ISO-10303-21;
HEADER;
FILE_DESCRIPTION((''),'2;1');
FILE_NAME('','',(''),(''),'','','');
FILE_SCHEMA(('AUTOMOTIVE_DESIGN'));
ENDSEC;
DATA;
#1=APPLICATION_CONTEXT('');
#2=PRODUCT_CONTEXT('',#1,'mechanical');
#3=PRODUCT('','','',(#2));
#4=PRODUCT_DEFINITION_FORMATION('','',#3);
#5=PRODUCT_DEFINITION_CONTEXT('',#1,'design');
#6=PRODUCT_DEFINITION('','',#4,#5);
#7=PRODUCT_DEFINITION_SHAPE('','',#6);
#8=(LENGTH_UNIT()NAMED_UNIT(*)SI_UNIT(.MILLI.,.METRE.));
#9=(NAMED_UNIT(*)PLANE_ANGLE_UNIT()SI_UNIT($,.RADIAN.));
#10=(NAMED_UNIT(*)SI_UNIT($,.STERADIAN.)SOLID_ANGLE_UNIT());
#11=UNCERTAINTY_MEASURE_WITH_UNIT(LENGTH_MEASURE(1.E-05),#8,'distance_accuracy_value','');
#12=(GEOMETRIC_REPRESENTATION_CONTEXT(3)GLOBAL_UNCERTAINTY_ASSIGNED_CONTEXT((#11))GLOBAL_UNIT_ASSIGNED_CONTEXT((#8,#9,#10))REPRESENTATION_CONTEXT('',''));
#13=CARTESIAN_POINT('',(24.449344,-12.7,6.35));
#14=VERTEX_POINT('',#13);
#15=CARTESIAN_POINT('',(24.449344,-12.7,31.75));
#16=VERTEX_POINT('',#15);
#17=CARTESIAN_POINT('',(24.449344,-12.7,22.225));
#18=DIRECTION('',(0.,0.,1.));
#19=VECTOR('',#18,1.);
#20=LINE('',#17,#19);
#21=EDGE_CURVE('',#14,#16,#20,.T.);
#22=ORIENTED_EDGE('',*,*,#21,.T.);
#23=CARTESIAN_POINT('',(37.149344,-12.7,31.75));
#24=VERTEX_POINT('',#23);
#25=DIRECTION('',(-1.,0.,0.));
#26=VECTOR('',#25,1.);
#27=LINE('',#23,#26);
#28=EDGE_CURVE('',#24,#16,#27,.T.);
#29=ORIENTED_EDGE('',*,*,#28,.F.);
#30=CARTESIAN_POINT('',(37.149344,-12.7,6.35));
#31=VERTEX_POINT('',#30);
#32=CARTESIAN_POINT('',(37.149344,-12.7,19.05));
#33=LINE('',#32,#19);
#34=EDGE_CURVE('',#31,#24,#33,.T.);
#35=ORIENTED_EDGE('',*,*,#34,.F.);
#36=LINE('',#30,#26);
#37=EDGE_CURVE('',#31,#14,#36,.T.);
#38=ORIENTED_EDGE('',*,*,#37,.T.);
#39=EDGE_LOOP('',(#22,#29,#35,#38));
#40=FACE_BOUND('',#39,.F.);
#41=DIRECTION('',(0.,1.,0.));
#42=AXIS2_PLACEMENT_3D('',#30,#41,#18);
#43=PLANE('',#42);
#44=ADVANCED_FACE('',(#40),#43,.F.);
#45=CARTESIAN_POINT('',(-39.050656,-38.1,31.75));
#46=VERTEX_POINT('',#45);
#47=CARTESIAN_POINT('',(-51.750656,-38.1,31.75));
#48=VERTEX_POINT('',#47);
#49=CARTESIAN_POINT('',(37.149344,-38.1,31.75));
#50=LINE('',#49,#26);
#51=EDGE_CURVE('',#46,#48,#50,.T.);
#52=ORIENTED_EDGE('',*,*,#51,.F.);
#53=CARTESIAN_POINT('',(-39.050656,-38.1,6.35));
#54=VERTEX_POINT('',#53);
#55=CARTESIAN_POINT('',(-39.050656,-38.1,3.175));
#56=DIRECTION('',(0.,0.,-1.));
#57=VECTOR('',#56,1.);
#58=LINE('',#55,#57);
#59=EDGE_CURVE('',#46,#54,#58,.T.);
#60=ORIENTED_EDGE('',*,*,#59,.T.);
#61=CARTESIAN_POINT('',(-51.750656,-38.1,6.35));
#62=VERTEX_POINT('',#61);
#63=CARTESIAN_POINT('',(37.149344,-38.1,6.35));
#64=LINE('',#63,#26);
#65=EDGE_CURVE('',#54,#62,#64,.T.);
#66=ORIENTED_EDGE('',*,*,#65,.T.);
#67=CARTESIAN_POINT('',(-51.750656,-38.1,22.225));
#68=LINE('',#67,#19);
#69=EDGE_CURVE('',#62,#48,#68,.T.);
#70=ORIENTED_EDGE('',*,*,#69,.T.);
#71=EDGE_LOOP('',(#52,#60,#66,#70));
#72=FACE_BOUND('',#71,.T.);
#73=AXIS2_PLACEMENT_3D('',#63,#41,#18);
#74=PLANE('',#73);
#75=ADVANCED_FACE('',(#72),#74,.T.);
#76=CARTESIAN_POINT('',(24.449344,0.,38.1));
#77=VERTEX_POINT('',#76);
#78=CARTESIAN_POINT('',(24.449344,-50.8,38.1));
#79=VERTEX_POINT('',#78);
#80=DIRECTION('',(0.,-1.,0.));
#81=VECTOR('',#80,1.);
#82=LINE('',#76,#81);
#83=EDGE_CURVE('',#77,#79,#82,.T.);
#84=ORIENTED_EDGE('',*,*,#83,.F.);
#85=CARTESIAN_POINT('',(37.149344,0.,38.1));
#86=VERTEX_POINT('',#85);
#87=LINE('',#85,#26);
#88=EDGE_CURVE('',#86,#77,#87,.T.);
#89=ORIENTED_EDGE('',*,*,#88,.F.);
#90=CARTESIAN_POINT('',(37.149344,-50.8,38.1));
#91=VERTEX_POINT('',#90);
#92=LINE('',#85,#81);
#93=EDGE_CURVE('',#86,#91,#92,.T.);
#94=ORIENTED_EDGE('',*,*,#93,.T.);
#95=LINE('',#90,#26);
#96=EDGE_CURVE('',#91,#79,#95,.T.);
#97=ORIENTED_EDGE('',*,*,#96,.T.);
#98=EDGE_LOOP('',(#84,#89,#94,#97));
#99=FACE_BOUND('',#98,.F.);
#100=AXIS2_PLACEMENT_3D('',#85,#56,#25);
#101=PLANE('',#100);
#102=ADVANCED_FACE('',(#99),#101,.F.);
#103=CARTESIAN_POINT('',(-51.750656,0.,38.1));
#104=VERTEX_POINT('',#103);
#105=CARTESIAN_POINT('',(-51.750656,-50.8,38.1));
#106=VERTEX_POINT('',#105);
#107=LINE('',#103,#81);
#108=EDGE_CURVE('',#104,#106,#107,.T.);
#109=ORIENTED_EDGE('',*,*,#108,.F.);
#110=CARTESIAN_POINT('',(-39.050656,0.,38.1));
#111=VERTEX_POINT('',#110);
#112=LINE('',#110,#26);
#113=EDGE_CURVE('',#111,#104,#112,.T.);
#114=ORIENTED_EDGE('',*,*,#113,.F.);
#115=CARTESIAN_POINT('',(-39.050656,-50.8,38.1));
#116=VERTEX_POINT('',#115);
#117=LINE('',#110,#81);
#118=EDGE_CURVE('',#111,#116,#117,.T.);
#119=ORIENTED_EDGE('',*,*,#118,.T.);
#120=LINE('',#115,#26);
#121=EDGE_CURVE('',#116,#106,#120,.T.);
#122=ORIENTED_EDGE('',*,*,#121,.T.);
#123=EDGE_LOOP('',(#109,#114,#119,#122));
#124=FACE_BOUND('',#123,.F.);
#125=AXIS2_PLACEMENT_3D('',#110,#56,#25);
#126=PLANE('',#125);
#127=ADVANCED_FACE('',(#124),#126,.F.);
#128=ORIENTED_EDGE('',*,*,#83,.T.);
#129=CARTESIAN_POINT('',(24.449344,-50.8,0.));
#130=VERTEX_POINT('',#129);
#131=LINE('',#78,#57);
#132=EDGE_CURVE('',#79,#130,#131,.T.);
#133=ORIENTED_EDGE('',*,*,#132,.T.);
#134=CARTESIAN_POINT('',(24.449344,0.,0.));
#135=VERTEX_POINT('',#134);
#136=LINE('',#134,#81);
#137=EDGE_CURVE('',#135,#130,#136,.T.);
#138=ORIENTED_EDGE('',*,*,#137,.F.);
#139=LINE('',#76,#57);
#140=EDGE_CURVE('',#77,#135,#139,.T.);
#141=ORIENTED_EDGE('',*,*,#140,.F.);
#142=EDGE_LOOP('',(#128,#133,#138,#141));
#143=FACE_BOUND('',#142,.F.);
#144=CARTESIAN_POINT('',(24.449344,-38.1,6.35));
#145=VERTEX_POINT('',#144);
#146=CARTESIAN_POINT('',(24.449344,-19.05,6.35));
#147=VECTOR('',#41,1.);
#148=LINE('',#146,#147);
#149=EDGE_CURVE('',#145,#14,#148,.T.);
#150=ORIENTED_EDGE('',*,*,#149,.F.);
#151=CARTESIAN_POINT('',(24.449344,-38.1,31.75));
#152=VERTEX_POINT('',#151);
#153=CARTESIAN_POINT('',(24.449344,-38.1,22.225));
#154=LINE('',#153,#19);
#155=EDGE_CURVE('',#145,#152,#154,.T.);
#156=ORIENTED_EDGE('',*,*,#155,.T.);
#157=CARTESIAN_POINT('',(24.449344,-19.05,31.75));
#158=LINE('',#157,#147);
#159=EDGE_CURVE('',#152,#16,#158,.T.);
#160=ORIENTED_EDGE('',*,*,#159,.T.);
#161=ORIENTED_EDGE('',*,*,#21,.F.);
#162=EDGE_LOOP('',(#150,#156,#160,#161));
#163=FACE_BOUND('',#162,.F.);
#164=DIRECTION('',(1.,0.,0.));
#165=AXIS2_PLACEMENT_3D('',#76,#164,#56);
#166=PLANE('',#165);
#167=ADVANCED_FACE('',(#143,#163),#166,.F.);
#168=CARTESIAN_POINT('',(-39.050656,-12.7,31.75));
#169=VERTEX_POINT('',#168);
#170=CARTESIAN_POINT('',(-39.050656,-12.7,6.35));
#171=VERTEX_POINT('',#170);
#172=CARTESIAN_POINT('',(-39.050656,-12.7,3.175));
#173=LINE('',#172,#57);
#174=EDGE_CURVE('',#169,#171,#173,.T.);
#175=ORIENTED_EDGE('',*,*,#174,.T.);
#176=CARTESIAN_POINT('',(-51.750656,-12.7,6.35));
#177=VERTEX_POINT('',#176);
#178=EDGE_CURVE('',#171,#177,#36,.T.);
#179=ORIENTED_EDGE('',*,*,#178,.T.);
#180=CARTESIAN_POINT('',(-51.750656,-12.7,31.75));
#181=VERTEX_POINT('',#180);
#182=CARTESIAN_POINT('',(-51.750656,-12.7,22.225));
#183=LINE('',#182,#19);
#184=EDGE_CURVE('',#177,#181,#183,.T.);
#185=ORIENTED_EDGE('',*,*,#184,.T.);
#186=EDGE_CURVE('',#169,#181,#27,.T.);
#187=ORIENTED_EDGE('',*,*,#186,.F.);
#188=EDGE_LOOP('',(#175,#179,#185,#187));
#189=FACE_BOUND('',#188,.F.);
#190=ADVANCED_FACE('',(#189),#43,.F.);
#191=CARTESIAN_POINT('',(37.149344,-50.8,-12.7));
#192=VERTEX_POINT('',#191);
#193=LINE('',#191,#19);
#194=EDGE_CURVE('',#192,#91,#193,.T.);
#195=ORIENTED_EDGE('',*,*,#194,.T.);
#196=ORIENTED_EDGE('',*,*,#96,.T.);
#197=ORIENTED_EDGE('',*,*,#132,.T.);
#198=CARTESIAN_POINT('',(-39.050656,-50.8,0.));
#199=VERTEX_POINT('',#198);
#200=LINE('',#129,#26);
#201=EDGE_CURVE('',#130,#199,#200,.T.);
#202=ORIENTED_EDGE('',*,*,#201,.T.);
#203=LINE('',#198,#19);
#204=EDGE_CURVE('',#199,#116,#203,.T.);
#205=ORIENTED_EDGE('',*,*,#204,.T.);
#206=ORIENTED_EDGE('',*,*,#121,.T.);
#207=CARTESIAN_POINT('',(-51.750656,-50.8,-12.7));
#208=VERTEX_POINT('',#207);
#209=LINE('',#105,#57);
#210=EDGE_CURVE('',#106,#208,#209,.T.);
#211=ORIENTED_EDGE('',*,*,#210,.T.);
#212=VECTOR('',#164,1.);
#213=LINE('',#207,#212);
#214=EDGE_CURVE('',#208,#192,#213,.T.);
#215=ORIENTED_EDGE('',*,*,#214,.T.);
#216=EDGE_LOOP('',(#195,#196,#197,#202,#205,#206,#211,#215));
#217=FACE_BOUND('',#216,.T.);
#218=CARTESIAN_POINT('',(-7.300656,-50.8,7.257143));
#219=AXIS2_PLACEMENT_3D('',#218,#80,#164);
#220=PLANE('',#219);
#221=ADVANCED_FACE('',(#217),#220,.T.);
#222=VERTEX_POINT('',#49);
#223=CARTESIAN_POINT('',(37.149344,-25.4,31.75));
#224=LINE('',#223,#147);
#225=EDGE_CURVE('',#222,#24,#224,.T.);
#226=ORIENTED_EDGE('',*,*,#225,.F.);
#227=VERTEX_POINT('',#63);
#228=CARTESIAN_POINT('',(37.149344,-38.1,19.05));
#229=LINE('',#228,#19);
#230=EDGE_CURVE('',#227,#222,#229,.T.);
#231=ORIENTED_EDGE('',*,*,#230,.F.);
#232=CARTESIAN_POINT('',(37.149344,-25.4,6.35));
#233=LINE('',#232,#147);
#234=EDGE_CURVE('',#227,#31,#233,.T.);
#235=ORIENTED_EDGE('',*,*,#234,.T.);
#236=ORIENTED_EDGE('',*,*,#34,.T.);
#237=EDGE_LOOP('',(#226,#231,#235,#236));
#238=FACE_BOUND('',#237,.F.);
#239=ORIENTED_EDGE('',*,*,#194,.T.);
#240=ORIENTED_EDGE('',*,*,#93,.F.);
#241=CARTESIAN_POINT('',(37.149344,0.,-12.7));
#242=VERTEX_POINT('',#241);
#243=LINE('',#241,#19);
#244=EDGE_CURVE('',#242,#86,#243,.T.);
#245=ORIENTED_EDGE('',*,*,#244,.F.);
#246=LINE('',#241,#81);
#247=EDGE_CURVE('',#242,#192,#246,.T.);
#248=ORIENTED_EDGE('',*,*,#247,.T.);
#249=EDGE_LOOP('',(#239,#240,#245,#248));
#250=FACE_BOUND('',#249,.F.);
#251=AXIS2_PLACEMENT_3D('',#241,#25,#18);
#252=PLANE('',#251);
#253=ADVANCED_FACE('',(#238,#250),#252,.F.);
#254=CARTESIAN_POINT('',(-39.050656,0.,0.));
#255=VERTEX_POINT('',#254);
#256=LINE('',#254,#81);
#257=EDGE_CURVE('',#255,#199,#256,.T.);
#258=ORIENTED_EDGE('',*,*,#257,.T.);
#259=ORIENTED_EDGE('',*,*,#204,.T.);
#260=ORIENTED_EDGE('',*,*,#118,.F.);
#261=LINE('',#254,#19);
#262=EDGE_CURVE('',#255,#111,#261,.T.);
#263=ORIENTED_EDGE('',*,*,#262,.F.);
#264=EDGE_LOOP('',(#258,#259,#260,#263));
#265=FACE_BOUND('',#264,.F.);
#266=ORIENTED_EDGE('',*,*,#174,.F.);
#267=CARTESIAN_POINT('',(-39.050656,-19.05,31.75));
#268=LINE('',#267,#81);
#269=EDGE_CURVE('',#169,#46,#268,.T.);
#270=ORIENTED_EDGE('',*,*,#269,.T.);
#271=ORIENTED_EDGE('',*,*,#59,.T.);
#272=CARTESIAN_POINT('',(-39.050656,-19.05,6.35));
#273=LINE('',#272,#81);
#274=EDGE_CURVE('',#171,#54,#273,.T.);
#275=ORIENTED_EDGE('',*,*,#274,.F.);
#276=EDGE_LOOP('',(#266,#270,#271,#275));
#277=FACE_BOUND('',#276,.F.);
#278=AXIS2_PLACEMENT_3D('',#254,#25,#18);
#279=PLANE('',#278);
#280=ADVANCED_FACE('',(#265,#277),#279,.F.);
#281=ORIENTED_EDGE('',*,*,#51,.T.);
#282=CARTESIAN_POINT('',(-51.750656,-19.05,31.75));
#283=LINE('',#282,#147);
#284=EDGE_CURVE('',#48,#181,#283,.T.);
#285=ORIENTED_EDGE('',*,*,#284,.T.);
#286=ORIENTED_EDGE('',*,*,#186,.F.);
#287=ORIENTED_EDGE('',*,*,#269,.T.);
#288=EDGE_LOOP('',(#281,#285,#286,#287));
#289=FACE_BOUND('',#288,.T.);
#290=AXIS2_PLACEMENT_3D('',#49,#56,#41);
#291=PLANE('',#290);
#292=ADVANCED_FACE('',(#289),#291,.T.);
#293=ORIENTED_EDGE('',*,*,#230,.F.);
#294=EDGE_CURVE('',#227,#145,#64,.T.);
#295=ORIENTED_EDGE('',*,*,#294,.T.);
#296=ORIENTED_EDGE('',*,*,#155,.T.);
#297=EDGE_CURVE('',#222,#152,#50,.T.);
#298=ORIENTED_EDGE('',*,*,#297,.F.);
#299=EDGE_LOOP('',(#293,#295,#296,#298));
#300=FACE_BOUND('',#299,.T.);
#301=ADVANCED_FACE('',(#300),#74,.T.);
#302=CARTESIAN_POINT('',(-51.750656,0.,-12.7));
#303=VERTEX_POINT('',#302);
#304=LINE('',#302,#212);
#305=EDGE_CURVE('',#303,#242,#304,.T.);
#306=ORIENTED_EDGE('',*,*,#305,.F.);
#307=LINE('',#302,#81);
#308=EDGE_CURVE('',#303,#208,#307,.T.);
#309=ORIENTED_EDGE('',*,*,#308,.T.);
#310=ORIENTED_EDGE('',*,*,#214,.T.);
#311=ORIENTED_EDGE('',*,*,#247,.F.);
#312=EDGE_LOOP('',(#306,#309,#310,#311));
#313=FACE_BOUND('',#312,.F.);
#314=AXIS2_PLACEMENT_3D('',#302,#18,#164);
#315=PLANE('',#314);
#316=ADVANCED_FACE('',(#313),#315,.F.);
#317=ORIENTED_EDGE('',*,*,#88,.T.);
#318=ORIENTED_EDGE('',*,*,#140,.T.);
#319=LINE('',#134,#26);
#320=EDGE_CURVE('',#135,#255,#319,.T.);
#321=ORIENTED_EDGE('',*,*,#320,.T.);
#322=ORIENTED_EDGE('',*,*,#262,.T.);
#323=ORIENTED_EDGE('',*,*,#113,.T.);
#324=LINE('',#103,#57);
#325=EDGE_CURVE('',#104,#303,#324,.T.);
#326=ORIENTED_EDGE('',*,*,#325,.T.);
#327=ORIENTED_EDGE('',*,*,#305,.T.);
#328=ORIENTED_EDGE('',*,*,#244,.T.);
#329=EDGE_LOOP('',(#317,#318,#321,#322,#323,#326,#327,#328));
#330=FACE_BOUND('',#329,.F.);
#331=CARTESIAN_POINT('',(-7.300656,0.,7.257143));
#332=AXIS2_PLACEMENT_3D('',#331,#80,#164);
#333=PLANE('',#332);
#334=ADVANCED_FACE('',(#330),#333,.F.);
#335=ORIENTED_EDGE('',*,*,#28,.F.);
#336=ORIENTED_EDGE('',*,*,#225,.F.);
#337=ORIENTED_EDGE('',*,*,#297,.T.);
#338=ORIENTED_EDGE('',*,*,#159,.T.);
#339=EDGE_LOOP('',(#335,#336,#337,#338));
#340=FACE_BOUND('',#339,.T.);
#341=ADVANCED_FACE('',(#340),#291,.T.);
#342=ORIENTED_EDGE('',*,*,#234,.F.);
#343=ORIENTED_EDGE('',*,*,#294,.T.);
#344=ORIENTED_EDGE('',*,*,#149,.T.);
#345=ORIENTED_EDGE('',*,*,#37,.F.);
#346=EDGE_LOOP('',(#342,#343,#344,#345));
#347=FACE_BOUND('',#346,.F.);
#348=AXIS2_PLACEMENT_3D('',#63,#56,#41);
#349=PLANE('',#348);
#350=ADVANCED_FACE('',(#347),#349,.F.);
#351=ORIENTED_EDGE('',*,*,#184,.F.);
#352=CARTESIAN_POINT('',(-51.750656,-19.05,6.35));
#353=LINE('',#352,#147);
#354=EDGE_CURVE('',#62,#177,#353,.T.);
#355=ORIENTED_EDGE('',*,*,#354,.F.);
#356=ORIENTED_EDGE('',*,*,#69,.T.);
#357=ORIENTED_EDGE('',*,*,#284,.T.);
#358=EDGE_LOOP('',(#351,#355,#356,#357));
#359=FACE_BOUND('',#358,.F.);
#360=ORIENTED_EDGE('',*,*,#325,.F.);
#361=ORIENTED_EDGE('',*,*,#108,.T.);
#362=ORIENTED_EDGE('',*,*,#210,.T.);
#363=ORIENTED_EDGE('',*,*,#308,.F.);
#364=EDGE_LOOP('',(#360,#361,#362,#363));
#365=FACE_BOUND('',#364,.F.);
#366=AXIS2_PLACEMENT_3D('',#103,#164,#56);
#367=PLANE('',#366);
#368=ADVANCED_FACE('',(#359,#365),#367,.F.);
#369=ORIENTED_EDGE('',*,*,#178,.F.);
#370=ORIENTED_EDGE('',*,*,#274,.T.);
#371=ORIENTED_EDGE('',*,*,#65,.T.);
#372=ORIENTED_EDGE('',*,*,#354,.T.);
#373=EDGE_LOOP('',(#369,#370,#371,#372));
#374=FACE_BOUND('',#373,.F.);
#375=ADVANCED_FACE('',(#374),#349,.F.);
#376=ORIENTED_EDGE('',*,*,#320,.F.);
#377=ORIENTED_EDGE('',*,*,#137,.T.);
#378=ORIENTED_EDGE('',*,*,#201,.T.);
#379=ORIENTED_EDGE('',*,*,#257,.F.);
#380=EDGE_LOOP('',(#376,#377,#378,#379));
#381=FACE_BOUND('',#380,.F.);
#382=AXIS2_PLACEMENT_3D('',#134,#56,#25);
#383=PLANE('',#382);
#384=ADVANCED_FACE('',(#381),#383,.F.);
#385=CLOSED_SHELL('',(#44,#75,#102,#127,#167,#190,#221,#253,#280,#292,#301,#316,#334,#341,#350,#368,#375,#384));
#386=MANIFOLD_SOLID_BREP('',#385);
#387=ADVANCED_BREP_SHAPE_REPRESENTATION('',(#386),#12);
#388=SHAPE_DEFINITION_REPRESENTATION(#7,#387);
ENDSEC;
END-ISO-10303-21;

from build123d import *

# Parameters (mm, degrees)
F1_DEPTH = 50.8
F2_W     = 25.4
F2_H     = 25.4
F3_DEPTH = 88.901


with BuildPart() as f1:
    # F0 (on Front) → F1 (new body)
    with BuildSketch(Plane.XZ):
        Polygon((-39.050656, 38.1), (-51.750656, 38.1), (-51.750656, -12.7), (37.149344, -12.7), (37.149344, 38.1), (24.449344, 38.1), (24.449344, 0), (-39.050656, 0), align=None)
    extrude(amount=F1_DEPTH)

    # F2 (on face) → F3 (cut, through all)
    with BuildSketch(Plane.YZ.offset(37.149344)):
        with Locations((-25.4, 19.05)):
            Rectangle(F2_W, F2_H)
    extrude(amount=-F3_DEPTH, mode=Mode.SUBTRACT)


solid = f1.part
